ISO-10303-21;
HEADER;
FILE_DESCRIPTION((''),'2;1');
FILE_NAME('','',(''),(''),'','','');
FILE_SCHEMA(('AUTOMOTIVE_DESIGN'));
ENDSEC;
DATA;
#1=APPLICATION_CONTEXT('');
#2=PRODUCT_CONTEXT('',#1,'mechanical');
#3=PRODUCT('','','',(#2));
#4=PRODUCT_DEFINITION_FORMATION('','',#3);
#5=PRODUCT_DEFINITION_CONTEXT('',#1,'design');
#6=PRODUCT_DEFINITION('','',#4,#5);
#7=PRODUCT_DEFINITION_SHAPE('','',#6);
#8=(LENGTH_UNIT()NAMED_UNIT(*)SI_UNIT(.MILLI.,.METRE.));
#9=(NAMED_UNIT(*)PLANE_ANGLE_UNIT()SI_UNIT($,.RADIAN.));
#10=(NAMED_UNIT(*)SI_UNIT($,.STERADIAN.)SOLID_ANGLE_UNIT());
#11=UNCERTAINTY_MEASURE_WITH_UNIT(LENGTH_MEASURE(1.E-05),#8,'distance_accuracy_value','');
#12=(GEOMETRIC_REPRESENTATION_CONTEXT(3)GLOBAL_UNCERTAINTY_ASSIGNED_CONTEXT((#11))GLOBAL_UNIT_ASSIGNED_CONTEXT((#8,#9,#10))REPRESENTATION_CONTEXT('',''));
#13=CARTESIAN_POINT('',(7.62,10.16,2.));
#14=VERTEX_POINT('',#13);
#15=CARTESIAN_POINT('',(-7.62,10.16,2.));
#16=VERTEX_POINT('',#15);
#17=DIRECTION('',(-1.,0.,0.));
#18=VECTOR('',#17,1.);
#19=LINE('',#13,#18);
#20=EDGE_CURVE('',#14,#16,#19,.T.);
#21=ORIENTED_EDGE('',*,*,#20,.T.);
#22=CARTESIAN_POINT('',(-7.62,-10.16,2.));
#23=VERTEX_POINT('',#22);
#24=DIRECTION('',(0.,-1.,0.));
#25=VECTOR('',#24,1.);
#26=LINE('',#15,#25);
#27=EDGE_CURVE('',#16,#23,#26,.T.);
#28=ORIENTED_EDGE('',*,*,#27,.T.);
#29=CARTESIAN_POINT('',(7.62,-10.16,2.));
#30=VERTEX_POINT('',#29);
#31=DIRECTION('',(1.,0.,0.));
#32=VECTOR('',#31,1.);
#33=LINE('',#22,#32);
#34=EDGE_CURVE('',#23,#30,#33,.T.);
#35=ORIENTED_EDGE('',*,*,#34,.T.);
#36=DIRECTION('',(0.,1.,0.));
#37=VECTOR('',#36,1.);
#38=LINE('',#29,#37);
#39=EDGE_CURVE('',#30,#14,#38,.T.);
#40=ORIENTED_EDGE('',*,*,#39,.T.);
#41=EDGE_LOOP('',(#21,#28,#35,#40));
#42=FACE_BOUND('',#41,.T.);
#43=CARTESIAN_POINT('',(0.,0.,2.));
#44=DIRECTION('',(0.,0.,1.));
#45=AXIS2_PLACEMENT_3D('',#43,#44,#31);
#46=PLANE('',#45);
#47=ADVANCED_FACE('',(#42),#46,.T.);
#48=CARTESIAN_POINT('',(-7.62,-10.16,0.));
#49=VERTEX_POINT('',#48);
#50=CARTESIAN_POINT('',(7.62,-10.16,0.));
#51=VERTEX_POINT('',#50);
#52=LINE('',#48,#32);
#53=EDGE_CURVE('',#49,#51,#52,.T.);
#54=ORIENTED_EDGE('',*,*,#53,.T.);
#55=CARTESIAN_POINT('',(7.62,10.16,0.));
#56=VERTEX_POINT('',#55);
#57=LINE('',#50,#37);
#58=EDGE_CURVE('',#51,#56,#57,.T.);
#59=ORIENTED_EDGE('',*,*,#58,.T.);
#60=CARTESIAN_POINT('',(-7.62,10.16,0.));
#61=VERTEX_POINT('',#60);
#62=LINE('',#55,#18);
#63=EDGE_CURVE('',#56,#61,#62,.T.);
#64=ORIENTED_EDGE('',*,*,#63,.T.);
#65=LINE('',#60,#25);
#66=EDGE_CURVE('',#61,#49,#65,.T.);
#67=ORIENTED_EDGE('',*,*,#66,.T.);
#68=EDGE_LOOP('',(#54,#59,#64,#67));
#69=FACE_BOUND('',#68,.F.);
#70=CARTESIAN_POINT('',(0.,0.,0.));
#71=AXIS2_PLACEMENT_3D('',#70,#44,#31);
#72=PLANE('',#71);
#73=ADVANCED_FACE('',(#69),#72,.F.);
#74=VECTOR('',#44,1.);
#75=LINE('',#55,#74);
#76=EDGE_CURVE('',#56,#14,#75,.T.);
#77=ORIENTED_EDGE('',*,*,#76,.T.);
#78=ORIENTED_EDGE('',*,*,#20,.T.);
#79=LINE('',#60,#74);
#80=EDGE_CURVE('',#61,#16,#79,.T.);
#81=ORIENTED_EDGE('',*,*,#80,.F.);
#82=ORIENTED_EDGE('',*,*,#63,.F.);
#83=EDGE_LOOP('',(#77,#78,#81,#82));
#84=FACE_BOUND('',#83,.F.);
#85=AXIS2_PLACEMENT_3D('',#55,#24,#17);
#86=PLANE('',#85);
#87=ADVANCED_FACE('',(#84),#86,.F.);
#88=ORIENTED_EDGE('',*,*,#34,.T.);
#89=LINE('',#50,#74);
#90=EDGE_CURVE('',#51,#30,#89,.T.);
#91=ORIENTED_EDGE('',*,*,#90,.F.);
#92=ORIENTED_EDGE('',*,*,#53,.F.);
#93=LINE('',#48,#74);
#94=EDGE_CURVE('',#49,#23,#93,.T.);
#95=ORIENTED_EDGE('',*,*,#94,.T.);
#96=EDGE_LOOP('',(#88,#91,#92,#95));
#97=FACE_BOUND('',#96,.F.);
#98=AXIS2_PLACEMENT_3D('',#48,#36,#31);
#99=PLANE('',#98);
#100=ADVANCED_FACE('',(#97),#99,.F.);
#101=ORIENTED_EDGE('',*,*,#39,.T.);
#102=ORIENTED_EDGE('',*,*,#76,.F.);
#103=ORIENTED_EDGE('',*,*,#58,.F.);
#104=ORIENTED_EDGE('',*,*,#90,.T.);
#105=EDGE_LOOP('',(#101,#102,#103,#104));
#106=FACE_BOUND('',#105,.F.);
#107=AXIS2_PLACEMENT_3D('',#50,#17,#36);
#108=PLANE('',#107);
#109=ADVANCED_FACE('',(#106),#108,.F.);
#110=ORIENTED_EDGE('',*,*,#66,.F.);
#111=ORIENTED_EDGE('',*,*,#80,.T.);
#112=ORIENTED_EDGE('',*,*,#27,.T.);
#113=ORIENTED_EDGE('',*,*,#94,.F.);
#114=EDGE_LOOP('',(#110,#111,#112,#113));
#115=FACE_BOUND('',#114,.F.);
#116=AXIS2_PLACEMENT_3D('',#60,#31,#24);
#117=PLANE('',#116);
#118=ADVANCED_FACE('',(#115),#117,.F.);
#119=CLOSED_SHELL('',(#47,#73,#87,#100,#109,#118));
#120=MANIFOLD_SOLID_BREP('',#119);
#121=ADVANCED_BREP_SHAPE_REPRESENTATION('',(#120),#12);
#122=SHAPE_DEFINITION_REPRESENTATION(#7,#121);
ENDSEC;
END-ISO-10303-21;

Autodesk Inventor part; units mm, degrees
ref_plane "YZ Plane" through (0, 0, 0) normal (1, 0, 0) x (0, 1, 0)
ref_plane "XZ Plane" through (0, 0, 0) normal (0, 1, 0) x (-1, 0, 0)
ref_plane "XY Plane" through (0, 0, 0) normal (0, 0, 1) x (1, 0, 0)
sketch "Skizze1" plane through (0, 0, 0) normal (0, 0, 1) x (1, 0, 0)
  line L0 (-7.62, -10.16) -> (7.62, -10.16)
  line L1 (7.62, -10.16) -> (7.62, 10.16)
  line L2 (7.62, 10.16) -> (-7.62, 10.16)
  line L3 (-7.62, 10.16) -> (-7.62, -10.16)
  line L4 (-7.62, -10.16) -> (7.62, 10.16) construction
  line L5 (7.62, -10.16) -> (-7.62, 10.16) construction
  point P0 (0, 0)
  dimension "d0" = 15.24
  dimension "d1" = 20.32
extrude "Extrusion1" add sketch "Skizze1" along normal blind 2
properties part number "DRV8834"
